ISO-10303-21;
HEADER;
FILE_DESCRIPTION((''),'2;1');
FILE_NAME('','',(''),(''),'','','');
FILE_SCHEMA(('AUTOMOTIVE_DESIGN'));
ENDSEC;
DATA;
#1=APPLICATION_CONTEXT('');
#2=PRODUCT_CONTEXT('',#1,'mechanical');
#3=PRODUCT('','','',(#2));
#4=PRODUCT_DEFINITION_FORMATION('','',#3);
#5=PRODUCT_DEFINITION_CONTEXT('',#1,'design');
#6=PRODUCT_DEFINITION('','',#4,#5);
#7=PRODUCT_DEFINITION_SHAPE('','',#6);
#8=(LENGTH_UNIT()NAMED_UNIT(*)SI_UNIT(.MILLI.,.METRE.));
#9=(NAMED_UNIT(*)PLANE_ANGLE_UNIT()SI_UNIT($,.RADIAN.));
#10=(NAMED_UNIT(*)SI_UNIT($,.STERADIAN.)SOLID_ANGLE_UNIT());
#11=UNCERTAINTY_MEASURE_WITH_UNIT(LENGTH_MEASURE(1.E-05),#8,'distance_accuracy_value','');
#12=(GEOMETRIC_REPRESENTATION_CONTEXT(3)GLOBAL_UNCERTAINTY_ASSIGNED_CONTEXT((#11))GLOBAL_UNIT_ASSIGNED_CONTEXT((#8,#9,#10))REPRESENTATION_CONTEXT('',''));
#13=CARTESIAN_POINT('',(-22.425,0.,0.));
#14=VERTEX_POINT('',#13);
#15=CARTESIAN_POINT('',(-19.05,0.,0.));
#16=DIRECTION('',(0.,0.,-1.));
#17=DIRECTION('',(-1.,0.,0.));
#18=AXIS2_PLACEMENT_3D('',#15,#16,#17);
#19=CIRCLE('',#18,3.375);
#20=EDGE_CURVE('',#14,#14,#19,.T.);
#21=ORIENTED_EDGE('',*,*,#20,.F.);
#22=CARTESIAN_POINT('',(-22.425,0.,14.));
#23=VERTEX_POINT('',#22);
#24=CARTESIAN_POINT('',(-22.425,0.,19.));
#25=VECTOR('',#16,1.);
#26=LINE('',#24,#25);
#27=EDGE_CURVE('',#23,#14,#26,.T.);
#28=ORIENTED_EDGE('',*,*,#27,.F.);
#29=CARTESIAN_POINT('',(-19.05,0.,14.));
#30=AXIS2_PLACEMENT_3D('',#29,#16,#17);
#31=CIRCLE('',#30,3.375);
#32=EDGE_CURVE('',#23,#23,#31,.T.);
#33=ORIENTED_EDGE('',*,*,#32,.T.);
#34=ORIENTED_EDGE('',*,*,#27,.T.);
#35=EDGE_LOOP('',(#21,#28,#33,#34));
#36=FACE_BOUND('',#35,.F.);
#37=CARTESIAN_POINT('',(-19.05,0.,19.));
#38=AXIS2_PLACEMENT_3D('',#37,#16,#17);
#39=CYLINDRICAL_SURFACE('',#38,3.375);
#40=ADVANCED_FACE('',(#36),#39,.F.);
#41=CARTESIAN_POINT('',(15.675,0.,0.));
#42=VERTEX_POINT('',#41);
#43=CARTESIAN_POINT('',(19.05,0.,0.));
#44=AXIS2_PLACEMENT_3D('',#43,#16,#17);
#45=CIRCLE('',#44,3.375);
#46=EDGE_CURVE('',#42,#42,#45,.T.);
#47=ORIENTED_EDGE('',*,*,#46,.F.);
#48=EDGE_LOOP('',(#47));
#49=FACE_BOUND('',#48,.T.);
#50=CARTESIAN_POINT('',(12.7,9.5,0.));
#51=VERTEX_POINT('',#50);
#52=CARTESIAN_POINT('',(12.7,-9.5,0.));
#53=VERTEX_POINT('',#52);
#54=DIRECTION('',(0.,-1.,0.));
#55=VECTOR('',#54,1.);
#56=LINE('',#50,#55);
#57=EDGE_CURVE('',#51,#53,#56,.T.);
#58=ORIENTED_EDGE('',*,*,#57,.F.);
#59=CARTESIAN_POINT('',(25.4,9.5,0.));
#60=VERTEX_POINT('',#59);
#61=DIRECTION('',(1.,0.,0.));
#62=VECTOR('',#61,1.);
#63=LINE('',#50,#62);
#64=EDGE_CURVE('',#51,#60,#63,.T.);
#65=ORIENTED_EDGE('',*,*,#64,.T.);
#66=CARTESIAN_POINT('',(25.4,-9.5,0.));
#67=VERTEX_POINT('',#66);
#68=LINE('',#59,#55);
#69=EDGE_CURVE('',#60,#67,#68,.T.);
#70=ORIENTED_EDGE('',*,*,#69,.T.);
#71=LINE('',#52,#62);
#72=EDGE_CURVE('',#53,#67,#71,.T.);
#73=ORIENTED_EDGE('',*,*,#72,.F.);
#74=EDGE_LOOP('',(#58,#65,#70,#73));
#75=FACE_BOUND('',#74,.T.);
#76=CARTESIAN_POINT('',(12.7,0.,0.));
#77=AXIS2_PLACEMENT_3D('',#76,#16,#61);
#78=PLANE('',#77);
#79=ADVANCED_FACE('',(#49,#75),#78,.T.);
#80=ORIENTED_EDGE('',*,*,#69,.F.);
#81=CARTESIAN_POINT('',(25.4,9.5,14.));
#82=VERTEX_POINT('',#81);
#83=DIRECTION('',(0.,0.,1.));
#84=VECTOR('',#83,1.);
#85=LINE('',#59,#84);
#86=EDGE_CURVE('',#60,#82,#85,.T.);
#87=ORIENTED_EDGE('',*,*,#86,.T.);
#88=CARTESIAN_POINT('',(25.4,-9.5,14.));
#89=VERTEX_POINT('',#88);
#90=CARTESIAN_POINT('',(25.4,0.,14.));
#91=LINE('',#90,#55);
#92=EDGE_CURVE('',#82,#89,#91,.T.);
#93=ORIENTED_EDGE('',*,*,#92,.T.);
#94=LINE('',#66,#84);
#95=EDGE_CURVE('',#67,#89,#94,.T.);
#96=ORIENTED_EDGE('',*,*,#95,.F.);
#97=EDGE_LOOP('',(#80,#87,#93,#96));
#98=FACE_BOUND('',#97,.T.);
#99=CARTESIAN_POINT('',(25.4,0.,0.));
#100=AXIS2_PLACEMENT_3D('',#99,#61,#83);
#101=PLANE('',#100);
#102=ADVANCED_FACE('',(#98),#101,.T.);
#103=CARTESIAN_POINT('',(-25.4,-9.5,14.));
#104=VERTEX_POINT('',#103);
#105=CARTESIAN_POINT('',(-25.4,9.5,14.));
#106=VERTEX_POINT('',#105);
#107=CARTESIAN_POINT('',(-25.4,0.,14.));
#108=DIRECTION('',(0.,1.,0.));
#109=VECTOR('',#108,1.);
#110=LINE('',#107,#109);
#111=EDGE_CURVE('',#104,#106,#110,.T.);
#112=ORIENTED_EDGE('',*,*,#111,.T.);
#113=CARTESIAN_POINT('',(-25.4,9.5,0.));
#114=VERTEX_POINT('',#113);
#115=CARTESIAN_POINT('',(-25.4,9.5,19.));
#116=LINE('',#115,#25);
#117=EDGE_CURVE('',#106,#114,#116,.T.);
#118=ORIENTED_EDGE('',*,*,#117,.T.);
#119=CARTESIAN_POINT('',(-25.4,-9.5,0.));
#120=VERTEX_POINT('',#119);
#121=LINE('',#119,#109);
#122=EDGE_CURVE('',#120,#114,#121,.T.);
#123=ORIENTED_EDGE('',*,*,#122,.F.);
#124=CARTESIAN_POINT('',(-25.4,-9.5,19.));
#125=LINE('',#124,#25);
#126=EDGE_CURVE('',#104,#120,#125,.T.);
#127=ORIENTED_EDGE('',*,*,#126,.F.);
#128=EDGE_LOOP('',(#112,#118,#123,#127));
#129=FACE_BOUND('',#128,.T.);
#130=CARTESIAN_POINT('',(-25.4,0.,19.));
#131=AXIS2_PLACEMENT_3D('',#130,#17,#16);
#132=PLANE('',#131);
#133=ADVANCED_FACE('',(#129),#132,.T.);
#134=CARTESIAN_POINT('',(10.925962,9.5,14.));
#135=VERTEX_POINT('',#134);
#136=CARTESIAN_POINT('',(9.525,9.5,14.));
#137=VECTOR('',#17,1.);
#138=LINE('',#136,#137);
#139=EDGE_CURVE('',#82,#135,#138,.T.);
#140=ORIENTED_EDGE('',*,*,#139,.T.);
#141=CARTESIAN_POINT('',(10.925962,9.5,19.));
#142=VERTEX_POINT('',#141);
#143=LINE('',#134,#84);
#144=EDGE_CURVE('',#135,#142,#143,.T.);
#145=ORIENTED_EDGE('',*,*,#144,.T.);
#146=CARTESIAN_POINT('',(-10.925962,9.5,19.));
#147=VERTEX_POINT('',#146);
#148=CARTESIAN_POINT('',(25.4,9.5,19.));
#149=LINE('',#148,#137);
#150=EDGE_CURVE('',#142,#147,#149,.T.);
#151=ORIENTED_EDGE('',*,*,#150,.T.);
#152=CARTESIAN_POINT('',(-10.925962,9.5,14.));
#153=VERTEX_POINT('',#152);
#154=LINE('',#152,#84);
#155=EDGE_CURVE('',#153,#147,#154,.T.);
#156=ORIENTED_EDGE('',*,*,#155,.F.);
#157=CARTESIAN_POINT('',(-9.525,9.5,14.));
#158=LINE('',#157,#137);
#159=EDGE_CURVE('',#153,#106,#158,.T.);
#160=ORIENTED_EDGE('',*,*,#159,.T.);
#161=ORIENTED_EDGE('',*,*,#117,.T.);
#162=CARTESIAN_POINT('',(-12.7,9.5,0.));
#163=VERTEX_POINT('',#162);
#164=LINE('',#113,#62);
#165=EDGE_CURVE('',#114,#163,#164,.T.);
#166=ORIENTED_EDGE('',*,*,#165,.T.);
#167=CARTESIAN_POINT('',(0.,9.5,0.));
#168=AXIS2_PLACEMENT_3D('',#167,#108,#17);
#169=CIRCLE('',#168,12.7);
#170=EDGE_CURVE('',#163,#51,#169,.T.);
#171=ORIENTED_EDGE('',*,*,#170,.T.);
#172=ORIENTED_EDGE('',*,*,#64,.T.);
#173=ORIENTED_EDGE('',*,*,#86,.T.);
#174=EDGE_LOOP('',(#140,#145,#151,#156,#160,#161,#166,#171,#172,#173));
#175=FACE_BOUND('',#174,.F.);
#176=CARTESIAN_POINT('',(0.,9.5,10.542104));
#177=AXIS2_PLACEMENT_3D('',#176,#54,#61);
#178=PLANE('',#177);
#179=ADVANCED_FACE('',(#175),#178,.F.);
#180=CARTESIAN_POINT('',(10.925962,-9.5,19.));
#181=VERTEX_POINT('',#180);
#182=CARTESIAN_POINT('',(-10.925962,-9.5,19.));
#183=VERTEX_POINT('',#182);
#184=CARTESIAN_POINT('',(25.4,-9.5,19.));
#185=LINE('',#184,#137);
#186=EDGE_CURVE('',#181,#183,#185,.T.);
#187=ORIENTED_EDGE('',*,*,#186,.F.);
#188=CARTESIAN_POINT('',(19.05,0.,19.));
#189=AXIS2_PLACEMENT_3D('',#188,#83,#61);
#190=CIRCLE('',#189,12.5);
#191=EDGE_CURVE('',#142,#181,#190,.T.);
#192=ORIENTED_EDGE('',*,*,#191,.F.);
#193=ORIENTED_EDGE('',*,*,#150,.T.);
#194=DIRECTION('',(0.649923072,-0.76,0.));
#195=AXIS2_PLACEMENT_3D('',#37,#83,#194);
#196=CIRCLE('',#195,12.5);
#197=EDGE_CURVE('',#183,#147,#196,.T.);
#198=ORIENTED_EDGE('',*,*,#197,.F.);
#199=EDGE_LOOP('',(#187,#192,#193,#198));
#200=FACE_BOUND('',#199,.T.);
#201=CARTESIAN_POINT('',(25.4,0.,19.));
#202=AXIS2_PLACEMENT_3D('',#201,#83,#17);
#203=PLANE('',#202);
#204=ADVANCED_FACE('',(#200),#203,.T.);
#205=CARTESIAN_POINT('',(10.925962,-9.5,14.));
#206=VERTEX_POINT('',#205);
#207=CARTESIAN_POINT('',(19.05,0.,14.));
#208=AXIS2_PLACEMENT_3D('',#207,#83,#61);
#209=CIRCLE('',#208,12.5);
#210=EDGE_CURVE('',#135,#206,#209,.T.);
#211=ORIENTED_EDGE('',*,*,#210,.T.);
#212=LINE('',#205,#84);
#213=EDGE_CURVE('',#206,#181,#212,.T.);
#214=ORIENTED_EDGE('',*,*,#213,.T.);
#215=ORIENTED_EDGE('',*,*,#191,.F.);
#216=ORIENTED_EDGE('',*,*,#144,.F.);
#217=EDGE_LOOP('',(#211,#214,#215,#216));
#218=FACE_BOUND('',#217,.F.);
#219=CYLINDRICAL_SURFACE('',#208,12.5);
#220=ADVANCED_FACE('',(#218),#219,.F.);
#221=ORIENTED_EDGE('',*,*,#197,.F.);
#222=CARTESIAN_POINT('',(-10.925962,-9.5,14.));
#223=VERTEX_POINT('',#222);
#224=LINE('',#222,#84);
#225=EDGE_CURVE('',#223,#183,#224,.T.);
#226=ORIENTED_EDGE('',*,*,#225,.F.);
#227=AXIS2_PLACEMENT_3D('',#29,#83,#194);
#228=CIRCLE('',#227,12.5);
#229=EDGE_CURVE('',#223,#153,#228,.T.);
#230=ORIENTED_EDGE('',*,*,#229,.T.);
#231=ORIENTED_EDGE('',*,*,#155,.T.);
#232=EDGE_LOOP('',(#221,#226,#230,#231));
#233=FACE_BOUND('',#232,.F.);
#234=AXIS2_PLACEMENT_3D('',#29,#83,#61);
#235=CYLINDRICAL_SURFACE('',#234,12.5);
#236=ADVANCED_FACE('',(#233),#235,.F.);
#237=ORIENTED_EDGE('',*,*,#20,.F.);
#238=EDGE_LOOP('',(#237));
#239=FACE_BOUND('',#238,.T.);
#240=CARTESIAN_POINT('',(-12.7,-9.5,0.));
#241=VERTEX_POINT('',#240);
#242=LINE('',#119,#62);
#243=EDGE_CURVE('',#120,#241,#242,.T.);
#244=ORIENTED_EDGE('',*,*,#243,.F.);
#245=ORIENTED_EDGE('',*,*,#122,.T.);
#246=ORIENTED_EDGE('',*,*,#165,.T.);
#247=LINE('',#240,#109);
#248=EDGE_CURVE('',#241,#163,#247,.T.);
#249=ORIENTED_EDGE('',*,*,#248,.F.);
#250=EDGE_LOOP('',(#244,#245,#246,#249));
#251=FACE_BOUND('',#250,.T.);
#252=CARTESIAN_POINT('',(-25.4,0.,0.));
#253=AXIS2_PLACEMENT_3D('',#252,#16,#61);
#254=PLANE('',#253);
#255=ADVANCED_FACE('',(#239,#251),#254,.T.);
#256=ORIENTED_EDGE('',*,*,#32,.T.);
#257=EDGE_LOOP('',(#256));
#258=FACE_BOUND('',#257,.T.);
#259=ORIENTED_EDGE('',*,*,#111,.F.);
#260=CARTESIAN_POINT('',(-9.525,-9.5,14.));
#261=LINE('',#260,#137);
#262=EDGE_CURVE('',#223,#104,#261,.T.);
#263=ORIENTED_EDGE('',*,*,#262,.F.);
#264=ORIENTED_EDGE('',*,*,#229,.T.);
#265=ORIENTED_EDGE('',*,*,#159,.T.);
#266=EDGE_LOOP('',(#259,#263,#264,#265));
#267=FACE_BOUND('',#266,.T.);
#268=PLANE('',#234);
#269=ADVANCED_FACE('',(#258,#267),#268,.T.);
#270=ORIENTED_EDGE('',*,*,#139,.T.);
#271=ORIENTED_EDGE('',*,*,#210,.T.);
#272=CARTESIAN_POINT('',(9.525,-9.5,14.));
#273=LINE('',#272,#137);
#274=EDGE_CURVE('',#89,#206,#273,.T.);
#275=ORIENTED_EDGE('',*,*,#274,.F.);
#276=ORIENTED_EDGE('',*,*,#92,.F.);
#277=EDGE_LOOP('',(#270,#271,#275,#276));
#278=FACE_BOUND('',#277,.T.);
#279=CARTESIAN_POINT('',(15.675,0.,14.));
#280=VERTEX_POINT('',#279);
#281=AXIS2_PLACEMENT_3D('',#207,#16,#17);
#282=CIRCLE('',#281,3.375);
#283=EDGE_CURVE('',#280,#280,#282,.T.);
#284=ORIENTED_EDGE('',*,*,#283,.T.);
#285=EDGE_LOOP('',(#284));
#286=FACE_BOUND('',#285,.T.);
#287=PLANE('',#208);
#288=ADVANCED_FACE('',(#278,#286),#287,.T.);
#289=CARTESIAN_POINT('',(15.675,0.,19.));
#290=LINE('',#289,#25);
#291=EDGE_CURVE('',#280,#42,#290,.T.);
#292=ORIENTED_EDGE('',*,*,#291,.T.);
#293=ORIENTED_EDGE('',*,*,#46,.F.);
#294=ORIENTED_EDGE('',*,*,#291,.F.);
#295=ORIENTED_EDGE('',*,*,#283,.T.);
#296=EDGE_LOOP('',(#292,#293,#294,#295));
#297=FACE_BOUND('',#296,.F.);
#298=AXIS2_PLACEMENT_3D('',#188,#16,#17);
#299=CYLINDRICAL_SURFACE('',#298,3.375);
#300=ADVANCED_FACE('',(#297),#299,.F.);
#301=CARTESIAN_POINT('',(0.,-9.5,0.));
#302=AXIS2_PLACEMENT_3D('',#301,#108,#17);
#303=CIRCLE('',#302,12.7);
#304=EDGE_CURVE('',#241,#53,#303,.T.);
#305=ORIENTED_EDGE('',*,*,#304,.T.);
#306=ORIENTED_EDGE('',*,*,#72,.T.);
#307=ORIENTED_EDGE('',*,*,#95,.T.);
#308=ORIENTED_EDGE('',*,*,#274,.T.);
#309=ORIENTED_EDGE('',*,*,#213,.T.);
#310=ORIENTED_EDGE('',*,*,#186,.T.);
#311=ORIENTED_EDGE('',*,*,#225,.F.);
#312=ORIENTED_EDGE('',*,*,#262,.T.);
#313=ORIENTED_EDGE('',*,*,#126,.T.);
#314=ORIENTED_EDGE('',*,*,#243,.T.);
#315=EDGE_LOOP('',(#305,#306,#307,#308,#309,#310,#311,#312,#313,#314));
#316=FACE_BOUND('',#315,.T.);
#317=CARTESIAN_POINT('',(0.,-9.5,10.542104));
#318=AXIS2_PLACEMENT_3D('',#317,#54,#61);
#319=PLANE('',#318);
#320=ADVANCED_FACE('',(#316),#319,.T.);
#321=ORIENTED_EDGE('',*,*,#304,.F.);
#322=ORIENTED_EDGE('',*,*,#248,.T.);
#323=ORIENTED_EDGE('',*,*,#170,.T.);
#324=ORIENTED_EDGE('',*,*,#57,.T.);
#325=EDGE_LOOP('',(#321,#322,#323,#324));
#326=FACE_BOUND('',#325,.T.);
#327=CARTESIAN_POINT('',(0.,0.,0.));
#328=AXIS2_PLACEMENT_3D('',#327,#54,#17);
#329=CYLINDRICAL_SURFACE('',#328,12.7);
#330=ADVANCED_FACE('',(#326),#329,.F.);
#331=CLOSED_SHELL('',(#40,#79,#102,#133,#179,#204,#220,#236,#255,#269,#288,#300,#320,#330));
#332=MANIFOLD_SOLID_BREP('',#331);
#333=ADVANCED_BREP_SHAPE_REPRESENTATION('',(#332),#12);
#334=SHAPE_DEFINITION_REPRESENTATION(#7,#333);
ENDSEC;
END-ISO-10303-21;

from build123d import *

# Parameters (mm, degrees)
F1_DEPTH       = 9.5
F4_D           = 6.75
F4_CBORE_D     = 25
F4_CBORE_DEPTH = 5


with BuildPart() as f1:
    # F0 (on Front) → F1 (new body, symmetric)
    with BuildSketch(Plane.XZ):
        with BuildLine():
            ThreePointArc((-12.7, 0), (0, 12.7), (12.7, 0))
            Line((12.7, 0), (25.4, 0))
            Line((25.4, 0), (25.4, 19))
            Line((25.4, 19), (-25.4, 19))
            Line((-25.4, 19), (-25.4, 0))
            Line((-25.4, 0), (-12.7, 0))
        make_face()
    extrude(amount=F1_DEPTH, both=True)

    # F4 (through all)
    with Locations(Plane.XY.offset(19)):
        with Locations((19.05, 0), (-19.05, 0)):
            CounterBoreHole(F4_D / 2, F4_CBORE_D / 2, F4_CBORE_DEPTH)


solid = f1.part
